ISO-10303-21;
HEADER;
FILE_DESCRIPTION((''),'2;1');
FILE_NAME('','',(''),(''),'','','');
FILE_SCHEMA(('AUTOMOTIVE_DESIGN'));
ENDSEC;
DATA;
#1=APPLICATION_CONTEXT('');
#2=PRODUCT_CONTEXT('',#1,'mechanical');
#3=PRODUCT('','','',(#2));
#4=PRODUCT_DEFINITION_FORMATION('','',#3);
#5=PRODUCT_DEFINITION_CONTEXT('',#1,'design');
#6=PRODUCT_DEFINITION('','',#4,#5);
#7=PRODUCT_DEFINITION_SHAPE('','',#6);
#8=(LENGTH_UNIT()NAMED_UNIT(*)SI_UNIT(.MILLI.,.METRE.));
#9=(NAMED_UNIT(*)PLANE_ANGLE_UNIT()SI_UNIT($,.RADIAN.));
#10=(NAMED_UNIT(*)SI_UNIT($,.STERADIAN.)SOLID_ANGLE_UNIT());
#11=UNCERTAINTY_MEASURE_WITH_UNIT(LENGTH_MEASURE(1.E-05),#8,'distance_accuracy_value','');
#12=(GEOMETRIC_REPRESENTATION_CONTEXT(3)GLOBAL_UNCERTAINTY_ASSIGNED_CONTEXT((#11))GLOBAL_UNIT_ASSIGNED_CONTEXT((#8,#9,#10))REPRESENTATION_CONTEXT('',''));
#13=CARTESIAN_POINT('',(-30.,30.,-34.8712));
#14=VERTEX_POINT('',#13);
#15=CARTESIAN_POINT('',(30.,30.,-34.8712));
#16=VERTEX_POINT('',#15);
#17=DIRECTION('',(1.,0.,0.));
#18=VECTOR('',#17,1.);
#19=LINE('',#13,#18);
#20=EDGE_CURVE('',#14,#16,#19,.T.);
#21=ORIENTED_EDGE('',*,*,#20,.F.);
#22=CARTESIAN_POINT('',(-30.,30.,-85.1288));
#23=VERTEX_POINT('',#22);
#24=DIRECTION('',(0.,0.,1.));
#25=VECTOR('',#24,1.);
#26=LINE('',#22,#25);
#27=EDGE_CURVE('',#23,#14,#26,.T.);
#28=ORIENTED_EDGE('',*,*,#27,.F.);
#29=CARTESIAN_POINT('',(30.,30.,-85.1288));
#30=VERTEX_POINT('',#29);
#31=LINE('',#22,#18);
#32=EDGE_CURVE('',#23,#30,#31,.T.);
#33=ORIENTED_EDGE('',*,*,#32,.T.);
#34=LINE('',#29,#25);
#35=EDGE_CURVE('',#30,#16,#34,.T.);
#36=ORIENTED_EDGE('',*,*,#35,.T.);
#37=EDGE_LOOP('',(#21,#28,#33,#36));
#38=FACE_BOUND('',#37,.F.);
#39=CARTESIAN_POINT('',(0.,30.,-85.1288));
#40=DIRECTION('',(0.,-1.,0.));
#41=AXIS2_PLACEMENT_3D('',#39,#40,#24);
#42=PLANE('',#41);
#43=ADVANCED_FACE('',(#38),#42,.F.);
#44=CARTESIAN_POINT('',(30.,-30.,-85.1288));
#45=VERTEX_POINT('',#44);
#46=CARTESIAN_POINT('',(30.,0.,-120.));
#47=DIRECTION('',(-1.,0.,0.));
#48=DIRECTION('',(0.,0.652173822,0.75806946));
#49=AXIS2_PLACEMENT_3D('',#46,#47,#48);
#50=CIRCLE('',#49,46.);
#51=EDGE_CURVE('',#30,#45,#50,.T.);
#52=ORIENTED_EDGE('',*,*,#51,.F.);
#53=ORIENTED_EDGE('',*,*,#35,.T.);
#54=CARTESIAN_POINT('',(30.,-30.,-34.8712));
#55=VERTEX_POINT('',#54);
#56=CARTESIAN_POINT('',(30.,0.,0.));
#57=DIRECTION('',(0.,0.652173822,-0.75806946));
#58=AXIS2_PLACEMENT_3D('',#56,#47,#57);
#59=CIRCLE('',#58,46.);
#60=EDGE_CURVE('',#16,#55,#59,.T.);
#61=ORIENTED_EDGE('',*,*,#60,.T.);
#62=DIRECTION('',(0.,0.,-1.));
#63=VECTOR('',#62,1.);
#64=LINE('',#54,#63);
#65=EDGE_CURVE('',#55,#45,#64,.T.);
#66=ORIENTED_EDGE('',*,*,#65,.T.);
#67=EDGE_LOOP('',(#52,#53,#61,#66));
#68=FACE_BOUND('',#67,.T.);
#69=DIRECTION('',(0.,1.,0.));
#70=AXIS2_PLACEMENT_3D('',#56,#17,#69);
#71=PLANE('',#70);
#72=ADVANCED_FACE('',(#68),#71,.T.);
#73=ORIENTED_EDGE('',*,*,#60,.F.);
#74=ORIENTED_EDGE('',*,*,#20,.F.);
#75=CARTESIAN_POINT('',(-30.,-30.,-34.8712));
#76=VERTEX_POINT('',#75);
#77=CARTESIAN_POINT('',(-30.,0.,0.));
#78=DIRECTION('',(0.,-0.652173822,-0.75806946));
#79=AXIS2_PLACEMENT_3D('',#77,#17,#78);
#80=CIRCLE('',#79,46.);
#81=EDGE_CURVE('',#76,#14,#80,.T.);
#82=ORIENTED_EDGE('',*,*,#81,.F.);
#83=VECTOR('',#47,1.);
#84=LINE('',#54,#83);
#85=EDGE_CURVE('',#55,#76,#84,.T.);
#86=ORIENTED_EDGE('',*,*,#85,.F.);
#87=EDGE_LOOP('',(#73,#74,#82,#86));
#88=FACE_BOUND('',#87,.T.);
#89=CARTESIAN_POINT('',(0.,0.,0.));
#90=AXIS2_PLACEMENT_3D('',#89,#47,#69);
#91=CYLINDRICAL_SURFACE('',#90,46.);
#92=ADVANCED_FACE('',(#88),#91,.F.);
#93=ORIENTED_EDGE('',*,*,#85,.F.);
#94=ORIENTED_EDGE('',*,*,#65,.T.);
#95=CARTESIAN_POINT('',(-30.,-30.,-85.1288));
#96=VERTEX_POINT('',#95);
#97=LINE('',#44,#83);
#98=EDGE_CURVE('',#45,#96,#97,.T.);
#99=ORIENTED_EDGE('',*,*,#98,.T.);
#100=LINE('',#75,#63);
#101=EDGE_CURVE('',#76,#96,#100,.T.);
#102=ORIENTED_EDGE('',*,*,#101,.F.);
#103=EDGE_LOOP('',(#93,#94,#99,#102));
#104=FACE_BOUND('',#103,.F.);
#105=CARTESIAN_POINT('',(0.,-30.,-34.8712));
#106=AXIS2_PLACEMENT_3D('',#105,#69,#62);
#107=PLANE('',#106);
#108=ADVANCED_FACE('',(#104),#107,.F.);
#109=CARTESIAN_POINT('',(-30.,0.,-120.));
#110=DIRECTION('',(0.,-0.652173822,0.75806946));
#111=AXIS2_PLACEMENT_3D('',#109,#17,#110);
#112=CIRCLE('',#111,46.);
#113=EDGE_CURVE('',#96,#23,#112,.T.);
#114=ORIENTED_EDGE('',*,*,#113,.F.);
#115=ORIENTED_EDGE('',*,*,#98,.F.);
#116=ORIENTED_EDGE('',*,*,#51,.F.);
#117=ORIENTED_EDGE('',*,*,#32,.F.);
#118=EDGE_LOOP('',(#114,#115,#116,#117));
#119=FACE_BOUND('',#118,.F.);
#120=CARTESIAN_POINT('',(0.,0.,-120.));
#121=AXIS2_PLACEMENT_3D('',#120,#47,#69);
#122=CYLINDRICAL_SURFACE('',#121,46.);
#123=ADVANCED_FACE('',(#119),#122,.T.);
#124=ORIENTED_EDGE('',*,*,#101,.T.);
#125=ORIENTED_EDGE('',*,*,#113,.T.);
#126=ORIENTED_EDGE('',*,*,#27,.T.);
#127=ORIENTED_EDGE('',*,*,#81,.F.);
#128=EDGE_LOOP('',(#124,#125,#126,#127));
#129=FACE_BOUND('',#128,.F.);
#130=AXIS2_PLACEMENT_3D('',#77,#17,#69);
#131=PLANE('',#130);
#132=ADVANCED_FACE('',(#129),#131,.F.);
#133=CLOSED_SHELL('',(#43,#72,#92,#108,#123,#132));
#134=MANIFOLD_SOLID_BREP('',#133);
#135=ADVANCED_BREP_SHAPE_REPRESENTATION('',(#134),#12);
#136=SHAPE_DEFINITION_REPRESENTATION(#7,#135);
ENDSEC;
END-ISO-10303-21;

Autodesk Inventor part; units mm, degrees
ref_plane "YZ Plane" through (0, 0, 0) normal (1, 0, 0) x (0, 1, 0)
ref_plane "XZ Plane" through (0, 0, 0) normal (0, 1, 0) x (-1, 0, 0)
ref_plane "XY Plane" through (0, 0, 0) normal (0, 0, 1) x (1, 0, 0)
sketch "Sketch17" plane through (0, 0, 0) normal (1, 0, 0) x (0, 1, 0)
  line L0 (-64.4, 0) -> (64.4, 0) construction
  line L1 (0, -208.4) -> (0, 88.4) projected
  circle A0 centre (0, 0) radius 40
  circle A1 centre (0, 0) radius 46
  line L2 (-30, -34.8712) -> (-30, -85.1288)
  line L3 (30, -85.1288) -> (30, -34.8712)
  circle A2 centre (0, -120) radius 46
  circle A3 centre (0, -120) radius 40
  point P0 (0, -46)
  point P1 (0, 46)
  dimension "d173" = 92
  dimension "d174" = 80
  dimension "d246" = 60
  dimension "d247" = 80
  dimension "d248" = 92
  dimension "d249" = 120
  dimension "d253" = 50.2576
extrude "Extrusion18" add sketch "Sketch17" along normal mid plane 60 contours A2 L1 A3 | L1 A3 A2 | A3 L1 | L1 A3 | L2 A1 L1 A2 | L1 A1 L3 A2
fillet "Fillet17" [suppressed]
properties part number "knee"
